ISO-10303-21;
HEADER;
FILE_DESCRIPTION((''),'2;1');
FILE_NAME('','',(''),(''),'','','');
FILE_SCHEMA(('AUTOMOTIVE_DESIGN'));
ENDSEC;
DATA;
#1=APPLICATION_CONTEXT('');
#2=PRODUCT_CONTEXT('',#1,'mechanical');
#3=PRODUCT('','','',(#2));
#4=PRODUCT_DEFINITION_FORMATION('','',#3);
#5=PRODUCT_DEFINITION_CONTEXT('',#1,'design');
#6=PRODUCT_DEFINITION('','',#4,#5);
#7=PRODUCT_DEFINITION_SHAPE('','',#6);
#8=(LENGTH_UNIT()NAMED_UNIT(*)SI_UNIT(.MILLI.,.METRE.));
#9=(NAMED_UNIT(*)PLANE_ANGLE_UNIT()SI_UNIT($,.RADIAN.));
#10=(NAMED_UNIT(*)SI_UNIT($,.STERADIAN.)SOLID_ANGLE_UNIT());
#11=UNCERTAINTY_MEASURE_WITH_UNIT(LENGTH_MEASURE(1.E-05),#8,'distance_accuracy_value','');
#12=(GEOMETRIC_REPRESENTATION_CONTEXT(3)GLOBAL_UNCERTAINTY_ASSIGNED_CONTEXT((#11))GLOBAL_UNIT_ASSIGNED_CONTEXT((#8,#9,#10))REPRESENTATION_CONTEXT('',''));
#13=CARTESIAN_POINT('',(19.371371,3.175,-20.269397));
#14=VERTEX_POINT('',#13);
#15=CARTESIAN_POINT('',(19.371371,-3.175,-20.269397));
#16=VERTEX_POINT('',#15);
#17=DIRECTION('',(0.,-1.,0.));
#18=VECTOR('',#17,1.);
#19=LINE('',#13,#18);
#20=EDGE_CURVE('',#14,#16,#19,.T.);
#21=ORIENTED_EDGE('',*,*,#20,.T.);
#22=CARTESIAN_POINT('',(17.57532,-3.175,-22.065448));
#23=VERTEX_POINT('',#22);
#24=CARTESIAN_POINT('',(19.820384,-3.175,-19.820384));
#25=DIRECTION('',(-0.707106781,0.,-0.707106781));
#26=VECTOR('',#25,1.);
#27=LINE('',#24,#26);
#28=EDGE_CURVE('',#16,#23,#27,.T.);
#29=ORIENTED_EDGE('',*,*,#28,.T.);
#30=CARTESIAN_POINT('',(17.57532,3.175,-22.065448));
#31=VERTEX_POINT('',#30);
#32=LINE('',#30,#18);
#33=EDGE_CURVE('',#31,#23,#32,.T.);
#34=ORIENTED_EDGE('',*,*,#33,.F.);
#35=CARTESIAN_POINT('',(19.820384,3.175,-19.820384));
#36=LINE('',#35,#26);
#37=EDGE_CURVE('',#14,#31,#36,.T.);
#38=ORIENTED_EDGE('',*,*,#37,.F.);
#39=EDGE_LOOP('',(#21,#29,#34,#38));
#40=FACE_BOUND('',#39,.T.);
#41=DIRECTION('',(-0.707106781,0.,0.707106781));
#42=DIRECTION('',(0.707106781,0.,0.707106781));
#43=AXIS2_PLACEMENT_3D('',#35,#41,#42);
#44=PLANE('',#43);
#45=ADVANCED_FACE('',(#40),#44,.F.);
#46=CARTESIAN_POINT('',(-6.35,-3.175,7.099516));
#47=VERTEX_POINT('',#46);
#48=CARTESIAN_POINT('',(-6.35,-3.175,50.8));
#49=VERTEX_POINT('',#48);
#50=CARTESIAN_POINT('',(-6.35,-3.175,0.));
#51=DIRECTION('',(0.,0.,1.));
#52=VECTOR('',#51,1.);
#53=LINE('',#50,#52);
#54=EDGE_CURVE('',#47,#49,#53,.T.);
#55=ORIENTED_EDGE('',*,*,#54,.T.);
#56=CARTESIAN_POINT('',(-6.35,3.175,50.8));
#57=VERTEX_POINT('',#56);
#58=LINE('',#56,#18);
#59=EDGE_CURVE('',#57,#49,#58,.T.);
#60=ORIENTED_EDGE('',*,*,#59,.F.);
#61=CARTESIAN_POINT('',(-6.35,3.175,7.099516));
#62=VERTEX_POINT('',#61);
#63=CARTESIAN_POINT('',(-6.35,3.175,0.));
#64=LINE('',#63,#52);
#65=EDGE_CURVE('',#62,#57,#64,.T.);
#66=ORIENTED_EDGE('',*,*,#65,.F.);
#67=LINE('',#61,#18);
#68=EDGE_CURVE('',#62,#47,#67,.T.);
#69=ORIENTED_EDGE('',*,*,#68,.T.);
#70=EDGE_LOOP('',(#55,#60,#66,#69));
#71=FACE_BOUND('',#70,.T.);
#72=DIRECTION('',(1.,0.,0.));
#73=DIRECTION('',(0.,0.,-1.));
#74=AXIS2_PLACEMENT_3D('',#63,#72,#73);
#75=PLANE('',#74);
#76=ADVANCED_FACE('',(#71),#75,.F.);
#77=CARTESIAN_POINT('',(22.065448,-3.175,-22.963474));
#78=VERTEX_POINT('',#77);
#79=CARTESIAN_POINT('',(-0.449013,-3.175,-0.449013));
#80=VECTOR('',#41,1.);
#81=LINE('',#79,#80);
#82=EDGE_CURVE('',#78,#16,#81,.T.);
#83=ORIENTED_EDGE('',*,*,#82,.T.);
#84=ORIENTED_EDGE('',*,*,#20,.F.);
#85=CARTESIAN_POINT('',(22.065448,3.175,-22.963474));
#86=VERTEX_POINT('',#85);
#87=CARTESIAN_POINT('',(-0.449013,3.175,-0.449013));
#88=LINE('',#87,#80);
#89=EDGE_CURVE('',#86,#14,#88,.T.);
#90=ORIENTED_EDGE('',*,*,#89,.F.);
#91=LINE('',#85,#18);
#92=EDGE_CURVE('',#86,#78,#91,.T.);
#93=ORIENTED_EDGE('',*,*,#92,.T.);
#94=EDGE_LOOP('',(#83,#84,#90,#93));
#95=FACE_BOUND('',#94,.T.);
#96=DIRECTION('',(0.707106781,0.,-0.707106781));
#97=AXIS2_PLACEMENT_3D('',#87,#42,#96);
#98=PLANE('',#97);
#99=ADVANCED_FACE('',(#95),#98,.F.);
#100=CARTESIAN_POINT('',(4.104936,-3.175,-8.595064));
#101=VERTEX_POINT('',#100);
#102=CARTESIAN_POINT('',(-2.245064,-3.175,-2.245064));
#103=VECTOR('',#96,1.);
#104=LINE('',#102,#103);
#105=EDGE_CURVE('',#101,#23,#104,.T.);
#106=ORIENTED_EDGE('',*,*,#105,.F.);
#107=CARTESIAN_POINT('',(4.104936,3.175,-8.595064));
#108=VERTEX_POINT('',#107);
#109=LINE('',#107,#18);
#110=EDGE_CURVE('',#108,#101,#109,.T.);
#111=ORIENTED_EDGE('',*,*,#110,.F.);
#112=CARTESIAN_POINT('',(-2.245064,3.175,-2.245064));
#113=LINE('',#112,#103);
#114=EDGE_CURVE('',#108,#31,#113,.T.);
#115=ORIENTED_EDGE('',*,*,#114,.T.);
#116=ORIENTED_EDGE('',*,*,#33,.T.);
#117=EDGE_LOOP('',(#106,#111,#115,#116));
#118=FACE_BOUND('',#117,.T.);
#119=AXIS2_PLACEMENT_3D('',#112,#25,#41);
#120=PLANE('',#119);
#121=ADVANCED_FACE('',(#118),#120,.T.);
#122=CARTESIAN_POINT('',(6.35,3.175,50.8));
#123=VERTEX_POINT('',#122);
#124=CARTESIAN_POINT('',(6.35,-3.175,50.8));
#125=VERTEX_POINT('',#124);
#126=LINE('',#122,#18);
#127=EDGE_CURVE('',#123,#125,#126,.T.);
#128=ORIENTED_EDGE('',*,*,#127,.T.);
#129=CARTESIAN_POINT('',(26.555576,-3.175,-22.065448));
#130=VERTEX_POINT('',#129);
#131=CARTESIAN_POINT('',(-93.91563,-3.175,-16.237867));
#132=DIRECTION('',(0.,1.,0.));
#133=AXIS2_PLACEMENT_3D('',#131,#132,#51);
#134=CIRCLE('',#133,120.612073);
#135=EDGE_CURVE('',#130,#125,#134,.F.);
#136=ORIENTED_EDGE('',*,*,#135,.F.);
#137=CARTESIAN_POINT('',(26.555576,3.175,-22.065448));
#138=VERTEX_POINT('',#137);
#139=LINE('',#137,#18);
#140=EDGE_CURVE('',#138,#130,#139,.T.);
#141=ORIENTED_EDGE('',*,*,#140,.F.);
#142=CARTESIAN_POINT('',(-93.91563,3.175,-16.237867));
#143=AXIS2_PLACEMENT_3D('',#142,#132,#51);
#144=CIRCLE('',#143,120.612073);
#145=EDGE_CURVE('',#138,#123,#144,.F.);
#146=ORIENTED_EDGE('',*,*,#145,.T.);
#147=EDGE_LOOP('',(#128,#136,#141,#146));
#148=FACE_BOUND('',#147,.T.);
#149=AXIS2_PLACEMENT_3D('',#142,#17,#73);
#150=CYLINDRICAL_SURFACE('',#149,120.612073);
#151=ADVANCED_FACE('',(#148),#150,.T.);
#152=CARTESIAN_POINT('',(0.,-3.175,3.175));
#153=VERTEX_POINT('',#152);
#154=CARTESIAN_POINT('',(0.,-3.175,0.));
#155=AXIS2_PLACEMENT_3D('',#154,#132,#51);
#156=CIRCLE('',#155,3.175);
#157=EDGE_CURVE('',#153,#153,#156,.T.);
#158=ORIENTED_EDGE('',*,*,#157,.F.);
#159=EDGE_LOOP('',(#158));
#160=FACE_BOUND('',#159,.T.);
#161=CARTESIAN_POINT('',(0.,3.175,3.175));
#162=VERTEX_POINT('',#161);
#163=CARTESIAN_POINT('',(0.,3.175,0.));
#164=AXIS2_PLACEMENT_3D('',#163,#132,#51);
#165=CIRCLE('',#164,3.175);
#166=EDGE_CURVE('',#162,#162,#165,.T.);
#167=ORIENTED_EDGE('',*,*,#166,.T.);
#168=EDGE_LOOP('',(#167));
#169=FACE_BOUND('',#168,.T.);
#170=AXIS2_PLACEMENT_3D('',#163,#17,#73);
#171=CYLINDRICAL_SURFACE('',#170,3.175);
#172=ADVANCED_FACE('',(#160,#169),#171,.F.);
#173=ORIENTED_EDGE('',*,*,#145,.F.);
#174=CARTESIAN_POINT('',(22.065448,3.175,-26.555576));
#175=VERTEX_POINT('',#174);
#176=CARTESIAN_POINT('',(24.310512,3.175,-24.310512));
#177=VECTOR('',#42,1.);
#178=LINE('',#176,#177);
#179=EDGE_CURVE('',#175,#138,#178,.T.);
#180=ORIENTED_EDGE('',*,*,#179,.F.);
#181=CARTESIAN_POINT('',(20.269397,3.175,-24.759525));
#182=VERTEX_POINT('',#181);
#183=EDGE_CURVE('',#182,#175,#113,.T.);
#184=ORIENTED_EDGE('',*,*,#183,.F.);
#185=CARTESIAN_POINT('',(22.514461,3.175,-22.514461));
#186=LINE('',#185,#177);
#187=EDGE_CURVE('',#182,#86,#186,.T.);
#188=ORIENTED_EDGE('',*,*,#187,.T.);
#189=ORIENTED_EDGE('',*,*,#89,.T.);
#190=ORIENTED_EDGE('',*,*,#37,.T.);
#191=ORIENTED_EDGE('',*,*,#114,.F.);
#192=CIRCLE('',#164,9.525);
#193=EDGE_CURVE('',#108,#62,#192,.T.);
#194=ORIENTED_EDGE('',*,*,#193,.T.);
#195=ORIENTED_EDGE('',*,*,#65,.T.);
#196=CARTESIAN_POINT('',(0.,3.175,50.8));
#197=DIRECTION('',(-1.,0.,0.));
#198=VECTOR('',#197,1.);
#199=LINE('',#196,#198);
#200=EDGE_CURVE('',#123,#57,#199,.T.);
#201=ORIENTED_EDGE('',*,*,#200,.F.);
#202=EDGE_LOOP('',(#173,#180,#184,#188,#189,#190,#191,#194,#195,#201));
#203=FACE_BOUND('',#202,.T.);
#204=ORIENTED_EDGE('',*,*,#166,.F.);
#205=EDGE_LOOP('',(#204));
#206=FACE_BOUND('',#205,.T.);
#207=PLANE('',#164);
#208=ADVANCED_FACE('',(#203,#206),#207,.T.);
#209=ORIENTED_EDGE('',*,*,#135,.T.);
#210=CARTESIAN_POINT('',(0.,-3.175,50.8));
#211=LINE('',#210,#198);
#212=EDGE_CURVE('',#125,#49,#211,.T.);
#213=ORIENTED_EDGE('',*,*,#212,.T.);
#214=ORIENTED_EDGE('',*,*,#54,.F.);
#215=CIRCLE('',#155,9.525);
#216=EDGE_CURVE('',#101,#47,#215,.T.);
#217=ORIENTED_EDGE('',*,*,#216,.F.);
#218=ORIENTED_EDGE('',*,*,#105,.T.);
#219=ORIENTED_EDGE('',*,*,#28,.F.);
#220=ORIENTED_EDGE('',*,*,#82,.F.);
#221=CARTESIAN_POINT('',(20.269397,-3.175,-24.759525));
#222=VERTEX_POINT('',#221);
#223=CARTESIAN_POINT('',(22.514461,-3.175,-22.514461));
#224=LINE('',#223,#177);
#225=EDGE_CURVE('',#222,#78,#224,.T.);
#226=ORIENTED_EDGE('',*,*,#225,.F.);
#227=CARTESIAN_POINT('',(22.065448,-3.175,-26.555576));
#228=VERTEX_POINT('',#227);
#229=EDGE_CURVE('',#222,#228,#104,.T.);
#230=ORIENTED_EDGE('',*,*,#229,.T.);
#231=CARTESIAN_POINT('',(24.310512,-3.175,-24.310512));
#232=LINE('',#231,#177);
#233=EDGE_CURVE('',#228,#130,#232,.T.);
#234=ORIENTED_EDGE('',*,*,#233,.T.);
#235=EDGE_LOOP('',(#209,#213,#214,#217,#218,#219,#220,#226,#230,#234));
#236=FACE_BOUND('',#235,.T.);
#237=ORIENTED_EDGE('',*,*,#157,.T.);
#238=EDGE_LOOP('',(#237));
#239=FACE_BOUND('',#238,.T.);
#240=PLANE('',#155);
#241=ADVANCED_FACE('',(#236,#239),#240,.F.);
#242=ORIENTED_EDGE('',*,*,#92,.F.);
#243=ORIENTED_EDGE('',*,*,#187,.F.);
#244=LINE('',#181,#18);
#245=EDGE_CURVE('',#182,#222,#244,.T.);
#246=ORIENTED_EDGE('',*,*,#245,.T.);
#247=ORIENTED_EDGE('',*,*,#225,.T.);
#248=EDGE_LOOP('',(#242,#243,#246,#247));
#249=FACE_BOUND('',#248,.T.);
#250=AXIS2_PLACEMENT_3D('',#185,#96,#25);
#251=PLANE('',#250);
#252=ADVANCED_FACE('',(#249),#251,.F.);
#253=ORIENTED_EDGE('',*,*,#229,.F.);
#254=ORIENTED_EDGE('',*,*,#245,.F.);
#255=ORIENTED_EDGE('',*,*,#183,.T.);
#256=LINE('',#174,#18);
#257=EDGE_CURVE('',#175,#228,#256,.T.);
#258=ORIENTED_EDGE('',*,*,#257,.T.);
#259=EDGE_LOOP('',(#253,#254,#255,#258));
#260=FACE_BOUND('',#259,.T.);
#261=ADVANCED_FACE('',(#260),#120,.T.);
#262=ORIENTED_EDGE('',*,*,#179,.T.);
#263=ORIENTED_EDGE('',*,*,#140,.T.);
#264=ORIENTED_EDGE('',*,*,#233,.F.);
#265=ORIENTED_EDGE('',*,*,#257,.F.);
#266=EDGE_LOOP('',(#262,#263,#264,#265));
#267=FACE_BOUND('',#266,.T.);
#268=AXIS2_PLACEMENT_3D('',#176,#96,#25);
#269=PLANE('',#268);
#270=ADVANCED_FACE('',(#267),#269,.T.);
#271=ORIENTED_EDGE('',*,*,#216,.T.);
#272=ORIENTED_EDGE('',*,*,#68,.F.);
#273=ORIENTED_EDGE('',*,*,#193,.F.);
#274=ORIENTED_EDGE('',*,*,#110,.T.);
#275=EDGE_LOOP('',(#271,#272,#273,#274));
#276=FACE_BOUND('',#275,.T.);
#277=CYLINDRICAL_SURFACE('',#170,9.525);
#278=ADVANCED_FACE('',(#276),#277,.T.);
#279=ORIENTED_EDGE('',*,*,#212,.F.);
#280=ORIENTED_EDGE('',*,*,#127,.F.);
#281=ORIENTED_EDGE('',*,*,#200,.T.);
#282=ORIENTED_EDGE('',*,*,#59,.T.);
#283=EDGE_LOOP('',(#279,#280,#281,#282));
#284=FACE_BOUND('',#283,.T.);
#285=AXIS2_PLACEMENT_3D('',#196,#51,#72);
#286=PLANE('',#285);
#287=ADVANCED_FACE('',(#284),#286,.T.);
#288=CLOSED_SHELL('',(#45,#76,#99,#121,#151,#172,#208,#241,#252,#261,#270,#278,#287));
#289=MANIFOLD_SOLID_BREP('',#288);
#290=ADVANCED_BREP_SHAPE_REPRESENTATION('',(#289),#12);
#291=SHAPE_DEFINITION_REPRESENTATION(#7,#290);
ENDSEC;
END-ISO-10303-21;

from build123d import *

# Parameters (mm, degrees)
SKETCH1_R           = 3.175
BOSS_EXTRUDE1_DEPTH = 3.175


with BuildPart() as part:
    # Sketch1 → Boss-Extrude1 (new body, symmetric)
    with BuildSketch(Plane(origin=(0, 0, 0), x_dir=(1, 0, 0), z_dir=(0, 1, 0))):
        with BuildLine():
            Line((4.10493597, 8.59506403), (17.575320151, 22.065448212))
            Line((17.575320151, 22.065448212), (19.371371376, 20.269396988))
            Line((19.371371376, 20.269396988), (22.065448212, 22.963473824))
            Line((22.065448212, 22.963473824), (20.269396988, 24.759525048))
            Line((20.269396988, 24.759525048), (22.065448212, 26.555576272))
            Line((22.065448212, 26.555576272), (26.555576272, 22.065448212))
            ThreePointArc((26.555576272, 22.065448212), (22.310576634, -15.991639638), (6.35, -50.8))
            Line((6.35, -50.8), (-6.35, -50.8))
            Line((-6.35, -50.8), (-6.35, -7.099515829))
            ThreePointArc((-6.35, -7.099515829), (-7.92717083, 5.280680604), (4.10493597, 8.59506403))
        make_face()
        Circle(SKETCH1_R, mode=Mode.SUBTRACT)
    extrude(amount=BOSS_EXTRUDE1_DEPTH, both=True)


solid = part.part
